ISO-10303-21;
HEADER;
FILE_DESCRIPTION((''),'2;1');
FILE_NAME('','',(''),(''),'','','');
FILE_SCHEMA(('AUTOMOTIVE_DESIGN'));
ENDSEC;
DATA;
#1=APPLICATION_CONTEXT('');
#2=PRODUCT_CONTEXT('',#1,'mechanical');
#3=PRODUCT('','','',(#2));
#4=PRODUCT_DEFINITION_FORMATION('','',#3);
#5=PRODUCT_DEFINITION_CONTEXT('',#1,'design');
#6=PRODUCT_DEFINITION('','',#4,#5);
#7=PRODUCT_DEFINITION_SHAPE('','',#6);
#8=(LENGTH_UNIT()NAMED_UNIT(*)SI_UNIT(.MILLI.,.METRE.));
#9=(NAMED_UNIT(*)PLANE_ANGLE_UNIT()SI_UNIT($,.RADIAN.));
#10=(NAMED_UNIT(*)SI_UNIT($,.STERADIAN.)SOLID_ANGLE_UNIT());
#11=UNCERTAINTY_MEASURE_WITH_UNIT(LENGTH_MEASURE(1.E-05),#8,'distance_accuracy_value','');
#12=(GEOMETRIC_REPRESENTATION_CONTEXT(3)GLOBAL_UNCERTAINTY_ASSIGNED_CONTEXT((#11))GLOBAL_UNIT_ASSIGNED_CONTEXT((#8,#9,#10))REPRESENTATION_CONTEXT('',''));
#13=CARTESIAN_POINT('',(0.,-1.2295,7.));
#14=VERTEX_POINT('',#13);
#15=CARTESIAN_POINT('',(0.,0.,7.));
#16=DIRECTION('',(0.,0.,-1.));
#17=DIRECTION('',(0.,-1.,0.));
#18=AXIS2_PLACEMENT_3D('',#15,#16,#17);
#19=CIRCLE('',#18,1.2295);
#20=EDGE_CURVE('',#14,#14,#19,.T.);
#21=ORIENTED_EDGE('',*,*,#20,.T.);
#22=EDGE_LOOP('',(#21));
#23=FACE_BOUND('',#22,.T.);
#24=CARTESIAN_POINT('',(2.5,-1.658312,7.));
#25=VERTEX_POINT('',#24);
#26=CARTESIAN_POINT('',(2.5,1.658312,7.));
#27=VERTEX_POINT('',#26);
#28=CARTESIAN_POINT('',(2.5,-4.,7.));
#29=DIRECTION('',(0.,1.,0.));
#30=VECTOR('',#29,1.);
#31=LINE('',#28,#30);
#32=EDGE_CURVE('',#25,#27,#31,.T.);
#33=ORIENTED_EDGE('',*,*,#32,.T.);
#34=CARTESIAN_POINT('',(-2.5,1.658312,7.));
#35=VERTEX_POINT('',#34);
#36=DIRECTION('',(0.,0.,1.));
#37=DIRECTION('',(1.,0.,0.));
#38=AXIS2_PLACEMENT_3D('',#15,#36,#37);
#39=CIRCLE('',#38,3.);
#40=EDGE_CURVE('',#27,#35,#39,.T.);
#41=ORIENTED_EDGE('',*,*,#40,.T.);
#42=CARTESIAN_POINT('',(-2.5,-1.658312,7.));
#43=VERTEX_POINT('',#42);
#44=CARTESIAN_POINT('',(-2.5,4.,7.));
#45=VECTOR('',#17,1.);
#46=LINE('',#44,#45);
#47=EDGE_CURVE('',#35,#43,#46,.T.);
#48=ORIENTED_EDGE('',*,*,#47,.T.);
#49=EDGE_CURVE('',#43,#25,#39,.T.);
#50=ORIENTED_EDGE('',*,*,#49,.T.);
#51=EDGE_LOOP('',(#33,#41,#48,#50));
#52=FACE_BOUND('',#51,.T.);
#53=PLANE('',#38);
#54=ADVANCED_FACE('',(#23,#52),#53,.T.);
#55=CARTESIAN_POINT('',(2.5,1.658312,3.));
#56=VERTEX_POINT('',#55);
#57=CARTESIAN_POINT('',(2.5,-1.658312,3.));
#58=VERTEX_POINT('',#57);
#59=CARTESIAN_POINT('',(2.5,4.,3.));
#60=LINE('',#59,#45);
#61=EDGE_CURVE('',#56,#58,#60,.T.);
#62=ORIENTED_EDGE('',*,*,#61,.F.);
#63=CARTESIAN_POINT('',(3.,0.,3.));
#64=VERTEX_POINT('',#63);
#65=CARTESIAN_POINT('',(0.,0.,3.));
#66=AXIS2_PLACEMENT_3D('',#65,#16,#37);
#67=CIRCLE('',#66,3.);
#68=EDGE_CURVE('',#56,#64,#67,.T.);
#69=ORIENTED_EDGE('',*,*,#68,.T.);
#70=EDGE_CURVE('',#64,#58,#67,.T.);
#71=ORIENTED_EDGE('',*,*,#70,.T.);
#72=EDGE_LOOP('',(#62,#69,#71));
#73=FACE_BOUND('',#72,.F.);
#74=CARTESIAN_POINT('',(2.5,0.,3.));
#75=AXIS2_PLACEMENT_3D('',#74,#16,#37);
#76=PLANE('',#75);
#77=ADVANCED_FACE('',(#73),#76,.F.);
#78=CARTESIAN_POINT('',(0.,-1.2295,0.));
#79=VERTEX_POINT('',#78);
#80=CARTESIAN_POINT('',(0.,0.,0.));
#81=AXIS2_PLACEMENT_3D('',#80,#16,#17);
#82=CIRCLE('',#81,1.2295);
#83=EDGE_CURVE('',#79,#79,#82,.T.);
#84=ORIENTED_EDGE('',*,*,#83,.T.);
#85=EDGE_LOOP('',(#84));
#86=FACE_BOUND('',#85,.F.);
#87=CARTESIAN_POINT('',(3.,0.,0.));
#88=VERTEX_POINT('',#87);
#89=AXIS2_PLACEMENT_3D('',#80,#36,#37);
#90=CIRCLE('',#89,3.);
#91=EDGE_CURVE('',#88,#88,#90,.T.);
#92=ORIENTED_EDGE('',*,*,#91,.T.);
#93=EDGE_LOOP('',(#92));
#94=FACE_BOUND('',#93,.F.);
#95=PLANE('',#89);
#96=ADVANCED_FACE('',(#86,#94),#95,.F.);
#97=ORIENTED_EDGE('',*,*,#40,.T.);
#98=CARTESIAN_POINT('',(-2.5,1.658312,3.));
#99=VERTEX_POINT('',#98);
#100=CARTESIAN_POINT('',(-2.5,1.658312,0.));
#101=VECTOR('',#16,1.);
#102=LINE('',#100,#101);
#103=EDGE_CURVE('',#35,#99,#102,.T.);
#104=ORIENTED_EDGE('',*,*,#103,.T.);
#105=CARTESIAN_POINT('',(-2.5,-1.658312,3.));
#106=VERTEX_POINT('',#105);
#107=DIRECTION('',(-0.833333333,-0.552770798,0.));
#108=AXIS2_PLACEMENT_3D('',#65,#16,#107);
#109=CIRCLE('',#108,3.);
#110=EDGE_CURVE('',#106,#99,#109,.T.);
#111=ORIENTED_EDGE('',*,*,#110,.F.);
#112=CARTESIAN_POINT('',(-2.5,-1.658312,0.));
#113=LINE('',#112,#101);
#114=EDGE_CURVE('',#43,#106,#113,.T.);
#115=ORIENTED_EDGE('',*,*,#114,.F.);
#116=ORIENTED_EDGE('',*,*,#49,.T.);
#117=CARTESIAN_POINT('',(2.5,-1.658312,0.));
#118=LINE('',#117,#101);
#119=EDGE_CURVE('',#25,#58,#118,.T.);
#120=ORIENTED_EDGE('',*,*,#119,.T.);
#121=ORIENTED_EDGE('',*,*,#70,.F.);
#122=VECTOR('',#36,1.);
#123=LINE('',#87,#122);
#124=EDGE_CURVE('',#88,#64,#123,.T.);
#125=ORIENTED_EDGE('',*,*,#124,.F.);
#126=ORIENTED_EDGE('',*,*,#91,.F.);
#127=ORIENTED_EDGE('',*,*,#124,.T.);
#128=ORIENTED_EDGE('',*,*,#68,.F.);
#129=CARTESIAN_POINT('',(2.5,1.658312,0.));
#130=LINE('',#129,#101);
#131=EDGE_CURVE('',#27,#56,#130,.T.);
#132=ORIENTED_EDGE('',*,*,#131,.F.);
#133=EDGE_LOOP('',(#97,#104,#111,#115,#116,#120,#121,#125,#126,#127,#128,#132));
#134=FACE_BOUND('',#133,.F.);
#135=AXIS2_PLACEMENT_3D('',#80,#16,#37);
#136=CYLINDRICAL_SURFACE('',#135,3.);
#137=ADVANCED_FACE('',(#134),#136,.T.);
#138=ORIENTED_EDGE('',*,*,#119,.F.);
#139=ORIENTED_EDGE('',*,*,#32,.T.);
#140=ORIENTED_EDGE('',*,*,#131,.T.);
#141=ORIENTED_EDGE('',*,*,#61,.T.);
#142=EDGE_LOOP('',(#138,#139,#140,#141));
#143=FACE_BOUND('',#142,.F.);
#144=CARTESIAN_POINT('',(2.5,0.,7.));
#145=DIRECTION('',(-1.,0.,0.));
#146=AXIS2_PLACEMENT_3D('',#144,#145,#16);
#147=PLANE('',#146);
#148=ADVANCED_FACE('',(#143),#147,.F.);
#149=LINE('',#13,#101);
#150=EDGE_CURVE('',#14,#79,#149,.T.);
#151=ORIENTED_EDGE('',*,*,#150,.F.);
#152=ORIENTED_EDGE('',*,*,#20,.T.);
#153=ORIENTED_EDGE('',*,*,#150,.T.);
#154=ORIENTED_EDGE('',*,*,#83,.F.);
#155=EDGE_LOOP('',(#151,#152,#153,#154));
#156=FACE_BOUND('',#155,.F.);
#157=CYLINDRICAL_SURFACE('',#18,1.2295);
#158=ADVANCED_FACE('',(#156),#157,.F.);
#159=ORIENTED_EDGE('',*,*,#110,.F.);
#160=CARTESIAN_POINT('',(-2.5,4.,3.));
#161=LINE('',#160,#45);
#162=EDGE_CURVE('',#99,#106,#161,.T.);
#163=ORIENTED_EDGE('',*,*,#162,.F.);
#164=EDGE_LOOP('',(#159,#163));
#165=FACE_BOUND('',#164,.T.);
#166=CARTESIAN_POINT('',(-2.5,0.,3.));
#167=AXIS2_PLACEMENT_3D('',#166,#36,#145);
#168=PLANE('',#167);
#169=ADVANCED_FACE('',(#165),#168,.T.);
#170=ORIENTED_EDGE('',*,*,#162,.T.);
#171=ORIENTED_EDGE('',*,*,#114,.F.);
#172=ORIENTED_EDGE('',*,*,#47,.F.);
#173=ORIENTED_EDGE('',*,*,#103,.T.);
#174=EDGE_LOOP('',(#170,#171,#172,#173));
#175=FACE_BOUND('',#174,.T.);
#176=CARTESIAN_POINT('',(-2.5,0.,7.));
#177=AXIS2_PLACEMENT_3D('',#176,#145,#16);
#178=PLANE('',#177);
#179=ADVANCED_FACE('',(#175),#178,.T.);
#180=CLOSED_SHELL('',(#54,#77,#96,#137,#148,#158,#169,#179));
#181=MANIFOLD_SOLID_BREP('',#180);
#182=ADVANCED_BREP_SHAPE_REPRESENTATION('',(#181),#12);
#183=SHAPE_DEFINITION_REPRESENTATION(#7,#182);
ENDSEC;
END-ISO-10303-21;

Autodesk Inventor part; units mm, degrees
ref_plane "YZ Plane" through (0, 0, 0) normal (1, 0, 0) x (0, 1, 0)
ref_plane "XZ Plane" through (0, 0, 0) normal (0, 1, 0) x (-1, 0, 0)
ref_plane "XY Plane" through (0, 0, 0) normal (0, 0, 1) x (1, 0, 0)
sketch "Sketch1" plane through (0, 0, 0) normal (0, 0, 1) x (1, 0, 0)
  circle A0 centre (0, 0) radius 3
  dimension "d0" = 6
extrude "Extrusion1" add sketch "Sketch1" along normal blind 7
sketch "Sketch2" plane through (0, 0, 7) normal (0, 0, 1) x (1, 0, 0)
  point P0 (0, 0)
  point P1 (0, 0)
hole "Hole1" at (0, 0, 7) direction (0, 0, -1) diameter 2.459 end through all thread size "M3x0.5" class "6H" standard "ANSI Metric M Profile"
sketch "Sketch3" plane through (0, 0, 0) normal (0, 1, 0) x (-1, 0, 0)
  line L0 (3, 0) -> (3, 7) projected
  line L1 (3, 7) -> (2.5, 7)
  line L2 (2.5, 7) -> (2.5, 3)
  line L3 (2.5, 3) -> (3, 3)
  line L4 (3, 3) -> (3, 7)
  line L5 (3, 7) -> (-3, 7) projected
  line L6 (-3, 7) -> (-2.5, 7)
  line L7 (-2.5, 7) -> (-2.5, 3)
  line L8 (-2.5, 3) -> (-3, 3)
  line L9 (-3, 3) -> (-3, 7)
  point P0 (0, 0)
  dimension "d10" = 0.5
  dimension "d11" = 5
  dimension "d12" = 0.5
  dimension "d13" = 4
extrude "Extrusion2" cut sketch "Sketch3" along normal through all both and the other way through all
equation "\"d10\" = d12"
properties part number "Timing_Lever Weight" material "Aluminum 6061"
